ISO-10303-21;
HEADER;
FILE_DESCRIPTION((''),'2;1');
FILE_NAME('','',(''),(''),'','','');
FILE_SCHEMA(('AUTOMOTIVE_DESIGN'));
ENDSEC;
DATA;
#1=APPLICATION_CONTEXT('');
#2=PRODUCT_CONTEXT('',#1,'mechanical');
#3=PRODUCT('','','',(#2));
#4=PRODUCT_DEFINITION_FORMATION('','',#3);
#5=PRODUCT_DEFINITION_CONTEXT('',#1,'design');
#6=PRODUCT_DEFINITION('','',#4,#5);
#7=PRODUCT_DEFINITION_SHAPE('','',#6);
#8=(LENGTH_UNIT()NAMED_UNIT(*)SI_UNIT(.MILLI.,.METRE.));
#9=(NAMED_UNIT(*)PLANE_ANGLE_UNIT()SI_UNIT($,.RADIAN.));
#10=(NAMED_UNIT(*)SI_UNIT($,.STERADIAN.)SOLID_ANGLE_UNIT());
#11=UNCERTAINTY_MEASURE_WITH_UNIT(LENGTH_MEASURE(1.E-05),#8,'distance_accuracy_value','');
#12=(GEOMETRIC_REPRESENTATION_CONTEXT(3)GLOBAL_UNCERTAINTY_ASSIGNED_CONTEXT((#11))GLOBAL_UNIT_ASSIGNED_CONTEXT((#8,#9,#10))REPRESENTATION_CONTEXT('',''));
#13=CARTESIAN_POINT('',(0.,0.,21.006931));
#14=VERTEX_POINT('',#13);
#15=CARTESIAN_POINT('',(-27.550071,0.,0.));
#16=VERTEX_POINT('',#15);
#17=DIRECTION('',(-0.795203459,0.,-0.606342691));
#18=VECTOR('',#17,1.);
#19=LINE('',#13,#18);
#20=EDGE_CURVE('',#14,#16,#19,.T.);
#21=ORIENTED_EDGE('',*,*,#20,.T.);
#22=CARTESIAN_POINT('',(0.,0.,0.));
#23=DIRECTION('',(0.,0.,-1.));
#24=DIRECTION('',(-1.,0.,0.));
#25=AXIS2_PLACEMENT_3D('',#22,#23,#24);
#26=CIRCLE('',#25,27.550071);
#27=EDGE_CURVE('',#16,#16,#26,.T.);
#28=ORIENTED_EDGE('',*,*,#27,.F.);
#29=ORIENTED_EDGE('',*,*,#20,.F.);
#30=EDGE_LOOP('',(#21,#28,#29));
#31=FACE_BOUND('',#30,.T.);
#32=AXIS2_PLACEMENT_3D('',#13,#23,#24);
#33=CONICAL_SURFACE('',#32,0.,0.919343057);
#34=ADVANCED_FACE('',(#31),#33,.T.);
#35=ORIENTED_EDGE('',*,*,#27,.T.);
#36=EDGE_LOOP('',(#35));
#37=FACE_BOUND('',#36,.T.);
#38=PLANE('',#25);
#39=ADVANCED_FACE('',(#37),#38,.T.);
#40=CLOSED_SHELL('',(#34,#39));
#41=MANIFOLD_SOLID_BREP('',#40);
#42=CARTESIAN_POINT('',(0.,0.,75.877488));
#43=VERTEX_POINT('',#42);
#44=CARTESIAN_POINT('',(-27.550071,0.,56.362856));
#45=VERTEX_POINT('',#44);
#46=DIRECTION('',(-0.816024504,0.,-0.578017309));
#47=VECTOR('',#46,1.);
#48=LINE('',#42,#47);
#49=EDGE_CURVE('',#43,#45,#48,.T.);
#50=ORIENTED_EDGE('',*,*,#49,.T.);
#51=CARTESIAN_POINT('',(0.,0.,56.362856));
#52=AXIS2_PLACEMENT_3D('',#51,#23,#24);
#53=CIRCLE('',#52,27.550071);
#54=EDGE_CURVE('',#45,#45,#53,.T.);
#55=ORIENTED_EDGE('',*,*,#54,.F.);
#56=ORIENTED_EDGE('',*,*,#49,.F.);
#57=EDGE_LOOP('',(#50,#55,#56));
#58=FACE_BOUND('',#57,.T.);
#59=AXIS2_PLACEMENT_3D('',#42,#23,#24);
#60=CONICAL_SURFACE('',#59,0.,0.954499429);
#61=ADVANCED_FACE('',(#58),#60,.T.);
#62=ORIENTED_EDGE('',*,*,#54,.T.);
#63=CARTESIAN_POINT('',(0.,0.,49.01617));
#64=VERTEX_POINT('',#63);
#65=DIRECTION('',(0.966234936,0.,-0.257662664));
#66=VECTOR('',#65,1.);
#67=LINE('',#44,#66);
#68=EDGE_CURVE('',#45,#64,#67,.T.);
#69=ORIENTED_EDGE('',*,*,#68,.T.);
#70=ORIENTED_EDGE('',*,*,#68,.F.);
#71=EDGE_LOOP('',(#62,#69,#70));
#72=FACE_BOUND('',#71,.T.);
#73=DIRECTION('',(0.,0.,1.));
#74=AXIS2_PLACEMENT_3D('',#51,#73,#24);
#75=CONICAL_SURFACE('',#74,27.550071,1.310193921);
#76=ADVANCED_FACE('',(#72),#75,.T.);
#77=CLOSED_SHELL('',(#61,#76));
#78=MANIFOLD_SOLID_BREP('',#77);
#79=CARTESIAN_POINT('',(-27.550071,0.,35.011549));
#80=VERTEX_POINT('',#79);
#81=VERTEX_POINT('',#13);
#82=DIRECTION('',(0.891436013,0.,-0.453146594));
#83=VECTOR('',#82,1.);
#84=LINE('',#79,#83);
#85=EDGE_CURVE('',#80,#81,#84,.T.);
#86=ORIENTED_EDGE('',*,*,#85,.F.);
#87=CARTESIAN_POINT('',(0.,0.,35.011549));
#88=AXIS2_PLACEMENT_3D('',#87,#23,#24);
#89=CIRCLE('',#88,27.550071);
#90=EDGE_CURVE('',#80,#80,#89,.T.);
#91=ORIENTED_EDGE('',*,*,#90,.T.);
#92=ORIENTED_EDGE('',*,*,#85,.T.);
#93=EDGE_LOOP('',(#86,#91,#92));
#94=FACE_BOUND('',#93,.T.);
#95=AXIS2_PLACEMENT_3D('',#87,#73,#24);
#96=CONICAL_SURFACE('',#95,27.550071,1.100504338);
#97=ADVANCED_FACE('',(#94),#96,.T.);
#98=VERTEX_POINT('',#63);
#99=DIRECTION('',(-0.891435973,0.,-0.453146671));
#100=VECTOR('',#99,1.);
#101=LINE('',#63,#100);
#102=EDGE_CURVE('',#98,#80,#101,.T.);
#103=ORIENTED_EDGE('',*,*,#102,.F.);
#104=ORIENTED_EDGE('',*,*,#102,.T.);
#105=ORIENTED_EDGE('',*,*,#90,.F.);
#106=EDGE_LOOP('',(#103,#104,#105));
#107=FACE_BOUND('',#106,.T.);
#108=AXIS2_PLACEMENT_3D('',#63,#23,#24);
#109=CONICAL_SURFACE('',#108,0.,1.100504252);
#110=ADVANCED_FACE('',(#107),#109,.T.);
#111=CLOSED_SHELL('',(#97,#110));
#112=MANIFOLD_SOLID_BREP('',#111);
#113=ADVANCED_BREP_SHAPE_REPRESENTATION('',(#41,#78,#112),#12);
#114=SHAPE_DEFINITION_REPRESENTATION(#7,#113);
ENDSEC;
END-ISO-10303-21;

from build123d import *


with BuildPart() as f1:
    # F0 (on Front) → F1 (revolve)
    with BuildSketch(Plane.XZ):
        Polygon((-27.550071, 35.011549), (0, 21.006931), (0, 49.01617), align=None)
        Polygon((-27.550071, 0), (0, 0), (0, 21.006931), align=None)
        Polygon((-27.550071, 56.362856), (0, 49.01617), (0, 75.877488), align=None)
    revolve(axis=Axis((0, 0, 37.938744), (0, 0, -1)))


solid = f1.part
